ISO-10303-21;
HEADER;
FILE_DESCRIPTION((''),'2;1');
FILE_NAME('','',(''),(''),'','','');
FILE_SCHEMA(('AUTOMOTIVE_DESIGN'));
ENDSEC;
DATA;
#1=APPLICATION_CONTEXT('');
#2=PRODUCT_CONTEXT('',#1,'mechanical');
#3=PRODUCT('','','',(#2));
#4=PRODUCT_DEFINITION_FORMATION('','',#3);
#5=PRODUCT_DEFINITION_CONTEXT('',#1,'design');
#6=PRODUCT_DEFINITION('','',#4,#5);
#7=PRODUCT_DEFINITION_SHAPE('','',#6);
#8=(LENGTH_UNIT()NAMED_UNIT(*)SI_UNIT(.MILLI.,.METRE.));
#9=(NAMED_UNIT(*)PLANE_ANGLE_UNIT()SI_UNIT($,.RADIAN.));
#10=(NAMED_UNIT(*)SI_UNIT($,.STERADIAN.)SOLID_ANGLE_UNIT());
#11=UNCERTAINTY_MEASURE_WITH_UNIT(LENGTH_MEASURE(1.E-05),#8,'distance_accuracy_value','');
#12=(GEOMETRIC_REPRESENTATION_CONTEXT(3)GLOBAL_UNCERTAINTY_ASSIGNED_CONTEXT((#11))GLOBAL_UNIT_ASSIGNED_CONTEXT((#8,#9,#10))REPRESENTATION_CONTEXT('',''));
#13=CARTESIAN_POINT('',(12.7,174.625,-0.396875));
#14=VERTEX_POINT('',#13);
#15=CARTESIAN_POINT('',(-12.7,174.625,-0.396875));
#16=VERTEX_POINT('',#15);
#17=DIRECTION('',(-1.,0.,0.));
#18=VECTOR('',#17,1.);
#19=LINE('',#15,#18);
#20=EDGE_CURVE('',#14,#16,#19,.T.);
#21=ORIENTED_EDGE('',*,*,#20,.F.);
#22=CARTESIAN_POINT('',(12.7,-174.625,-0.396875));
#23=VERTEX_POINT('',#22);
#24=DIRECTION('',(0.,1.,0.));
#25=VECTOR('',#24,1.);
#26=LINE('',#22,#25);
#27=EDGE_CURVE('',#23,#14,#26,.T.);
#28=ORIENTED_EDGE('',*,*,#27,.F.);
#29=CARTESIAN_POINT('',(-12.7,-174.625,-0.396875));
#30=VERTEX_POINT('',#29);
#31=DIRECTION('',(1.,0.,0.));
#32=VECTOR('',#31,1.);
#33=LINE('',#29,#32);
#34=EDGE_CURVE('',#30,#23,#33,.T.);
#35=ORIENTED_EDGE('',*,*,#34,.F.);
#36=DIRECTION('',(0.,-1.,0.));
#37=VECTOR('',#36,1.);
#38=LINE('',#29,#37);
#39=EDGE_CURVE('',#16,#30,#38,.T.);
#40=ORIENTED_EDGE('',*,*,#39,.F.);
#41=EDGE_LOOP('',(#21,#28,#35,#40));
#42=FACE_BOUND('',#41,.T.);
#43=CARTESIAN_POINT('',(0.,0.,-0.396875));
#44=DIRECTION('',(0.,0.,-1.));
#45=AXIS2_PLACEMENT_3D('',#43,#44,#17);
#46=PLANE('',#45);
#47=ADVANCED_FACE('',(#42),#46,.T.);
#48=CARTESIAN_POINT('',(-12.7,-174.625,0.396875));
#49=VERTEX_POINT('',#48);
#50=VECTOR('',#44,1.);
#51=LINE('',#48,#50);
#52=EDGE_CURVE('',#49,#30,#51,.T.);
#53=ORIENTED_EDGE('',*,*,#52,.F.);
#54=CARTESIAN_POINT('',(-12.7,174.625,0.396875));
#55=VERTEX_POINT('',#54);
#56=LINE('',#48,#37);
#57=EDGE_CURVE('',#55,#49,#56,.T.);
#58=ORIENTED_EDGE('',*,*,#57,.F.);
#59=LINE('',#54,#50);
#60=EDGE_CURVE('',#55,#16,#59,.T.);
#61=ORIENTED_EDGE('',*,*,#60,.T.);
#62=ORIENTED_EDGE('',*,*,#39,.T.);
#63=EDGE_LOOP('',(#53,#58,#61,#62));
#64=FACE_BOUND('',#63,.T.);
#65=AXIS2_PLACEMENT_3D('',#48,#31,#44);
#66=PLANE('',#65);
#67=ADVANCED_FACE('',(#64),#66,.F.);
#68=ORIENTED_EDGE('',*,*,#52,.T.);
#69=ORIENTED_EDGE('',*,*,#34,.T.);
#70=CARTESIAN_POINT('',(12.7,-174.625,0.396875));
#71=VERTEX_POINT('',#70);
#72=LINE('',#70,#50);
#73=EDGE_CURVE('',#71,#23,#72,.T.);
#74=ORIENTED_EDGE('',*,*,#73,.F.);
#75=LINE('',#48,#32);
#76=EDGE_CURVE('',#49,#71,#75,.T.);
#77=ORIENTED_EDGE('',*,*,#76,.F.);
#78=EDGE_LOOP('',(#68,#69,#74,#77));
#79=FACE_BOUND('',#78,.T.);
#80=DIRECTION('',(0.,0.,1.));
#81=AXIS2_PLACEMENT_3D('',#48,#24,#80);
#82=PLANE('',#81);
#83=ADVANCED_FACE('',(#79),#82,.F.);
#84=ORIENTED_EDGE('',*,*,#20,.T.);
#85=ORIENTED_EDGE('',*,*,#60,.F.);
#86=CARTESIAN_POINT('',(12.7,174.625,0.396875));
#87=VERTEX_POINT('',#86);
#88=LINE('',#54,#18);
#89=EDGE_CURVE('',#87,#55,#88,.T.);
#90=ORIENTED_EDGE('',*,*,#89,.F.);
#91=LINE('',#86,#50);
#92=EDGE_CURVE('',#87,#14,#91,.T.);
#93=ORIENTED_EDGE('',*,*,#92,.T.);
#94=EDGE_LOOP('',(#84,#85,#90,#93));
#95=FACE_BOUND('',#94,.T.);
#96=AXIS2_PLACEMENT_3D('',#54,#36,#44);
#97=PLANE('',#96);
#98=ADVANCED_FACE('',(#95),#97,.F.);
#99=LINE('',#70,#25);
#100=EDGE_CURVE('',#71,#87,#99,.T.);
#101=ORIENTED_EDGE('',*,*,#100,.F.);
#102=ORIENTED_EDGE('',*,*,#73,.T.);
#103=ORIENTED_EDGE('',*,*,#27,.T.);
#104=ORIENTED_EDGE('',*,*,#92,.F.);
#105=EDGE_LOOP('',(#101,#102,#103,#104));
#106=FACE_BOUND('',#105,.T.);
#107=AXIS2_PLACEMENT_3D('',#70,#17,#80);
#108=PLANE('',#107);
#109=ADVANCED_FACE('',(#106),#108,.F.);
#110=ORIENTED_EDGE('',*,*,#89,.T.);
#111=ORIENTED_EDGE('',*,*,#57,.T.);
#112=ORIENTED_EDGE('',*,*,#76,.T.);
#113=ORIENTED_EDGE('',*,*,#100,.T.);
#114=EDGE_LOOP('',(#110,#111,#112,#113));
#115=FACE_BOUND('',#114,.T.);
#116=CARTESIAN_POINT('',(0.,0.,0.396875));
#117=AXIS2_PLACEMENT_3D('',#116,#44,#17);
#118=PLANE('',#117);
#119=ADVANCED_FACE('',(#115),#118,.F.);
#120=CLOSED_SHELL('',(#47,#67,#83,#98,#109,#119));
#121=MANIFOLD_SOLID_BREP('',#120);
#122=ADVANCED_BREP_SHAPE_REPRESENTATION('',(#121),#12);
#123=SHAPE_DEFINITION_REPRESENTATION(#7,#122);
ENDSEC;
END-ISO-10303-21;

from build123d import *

# Parameters (mm, degrees)
SKETCH1_W           = 25.4
SKETCH1_H           = 349.25
BOSS_EXTRUDE1_DEPTH = 0.396875


with BuildPart() as part:
    # Sketch1 → Boss-Extrude1 (new body, symmetric)
    with BuildSketch(Plane.XY):
        Rectangle(SKETCH1_W, SKETCH1_H)
    extrude(amount=BOSS_EXTRUDE1_DEPTH, both=True)


solid = part.part
